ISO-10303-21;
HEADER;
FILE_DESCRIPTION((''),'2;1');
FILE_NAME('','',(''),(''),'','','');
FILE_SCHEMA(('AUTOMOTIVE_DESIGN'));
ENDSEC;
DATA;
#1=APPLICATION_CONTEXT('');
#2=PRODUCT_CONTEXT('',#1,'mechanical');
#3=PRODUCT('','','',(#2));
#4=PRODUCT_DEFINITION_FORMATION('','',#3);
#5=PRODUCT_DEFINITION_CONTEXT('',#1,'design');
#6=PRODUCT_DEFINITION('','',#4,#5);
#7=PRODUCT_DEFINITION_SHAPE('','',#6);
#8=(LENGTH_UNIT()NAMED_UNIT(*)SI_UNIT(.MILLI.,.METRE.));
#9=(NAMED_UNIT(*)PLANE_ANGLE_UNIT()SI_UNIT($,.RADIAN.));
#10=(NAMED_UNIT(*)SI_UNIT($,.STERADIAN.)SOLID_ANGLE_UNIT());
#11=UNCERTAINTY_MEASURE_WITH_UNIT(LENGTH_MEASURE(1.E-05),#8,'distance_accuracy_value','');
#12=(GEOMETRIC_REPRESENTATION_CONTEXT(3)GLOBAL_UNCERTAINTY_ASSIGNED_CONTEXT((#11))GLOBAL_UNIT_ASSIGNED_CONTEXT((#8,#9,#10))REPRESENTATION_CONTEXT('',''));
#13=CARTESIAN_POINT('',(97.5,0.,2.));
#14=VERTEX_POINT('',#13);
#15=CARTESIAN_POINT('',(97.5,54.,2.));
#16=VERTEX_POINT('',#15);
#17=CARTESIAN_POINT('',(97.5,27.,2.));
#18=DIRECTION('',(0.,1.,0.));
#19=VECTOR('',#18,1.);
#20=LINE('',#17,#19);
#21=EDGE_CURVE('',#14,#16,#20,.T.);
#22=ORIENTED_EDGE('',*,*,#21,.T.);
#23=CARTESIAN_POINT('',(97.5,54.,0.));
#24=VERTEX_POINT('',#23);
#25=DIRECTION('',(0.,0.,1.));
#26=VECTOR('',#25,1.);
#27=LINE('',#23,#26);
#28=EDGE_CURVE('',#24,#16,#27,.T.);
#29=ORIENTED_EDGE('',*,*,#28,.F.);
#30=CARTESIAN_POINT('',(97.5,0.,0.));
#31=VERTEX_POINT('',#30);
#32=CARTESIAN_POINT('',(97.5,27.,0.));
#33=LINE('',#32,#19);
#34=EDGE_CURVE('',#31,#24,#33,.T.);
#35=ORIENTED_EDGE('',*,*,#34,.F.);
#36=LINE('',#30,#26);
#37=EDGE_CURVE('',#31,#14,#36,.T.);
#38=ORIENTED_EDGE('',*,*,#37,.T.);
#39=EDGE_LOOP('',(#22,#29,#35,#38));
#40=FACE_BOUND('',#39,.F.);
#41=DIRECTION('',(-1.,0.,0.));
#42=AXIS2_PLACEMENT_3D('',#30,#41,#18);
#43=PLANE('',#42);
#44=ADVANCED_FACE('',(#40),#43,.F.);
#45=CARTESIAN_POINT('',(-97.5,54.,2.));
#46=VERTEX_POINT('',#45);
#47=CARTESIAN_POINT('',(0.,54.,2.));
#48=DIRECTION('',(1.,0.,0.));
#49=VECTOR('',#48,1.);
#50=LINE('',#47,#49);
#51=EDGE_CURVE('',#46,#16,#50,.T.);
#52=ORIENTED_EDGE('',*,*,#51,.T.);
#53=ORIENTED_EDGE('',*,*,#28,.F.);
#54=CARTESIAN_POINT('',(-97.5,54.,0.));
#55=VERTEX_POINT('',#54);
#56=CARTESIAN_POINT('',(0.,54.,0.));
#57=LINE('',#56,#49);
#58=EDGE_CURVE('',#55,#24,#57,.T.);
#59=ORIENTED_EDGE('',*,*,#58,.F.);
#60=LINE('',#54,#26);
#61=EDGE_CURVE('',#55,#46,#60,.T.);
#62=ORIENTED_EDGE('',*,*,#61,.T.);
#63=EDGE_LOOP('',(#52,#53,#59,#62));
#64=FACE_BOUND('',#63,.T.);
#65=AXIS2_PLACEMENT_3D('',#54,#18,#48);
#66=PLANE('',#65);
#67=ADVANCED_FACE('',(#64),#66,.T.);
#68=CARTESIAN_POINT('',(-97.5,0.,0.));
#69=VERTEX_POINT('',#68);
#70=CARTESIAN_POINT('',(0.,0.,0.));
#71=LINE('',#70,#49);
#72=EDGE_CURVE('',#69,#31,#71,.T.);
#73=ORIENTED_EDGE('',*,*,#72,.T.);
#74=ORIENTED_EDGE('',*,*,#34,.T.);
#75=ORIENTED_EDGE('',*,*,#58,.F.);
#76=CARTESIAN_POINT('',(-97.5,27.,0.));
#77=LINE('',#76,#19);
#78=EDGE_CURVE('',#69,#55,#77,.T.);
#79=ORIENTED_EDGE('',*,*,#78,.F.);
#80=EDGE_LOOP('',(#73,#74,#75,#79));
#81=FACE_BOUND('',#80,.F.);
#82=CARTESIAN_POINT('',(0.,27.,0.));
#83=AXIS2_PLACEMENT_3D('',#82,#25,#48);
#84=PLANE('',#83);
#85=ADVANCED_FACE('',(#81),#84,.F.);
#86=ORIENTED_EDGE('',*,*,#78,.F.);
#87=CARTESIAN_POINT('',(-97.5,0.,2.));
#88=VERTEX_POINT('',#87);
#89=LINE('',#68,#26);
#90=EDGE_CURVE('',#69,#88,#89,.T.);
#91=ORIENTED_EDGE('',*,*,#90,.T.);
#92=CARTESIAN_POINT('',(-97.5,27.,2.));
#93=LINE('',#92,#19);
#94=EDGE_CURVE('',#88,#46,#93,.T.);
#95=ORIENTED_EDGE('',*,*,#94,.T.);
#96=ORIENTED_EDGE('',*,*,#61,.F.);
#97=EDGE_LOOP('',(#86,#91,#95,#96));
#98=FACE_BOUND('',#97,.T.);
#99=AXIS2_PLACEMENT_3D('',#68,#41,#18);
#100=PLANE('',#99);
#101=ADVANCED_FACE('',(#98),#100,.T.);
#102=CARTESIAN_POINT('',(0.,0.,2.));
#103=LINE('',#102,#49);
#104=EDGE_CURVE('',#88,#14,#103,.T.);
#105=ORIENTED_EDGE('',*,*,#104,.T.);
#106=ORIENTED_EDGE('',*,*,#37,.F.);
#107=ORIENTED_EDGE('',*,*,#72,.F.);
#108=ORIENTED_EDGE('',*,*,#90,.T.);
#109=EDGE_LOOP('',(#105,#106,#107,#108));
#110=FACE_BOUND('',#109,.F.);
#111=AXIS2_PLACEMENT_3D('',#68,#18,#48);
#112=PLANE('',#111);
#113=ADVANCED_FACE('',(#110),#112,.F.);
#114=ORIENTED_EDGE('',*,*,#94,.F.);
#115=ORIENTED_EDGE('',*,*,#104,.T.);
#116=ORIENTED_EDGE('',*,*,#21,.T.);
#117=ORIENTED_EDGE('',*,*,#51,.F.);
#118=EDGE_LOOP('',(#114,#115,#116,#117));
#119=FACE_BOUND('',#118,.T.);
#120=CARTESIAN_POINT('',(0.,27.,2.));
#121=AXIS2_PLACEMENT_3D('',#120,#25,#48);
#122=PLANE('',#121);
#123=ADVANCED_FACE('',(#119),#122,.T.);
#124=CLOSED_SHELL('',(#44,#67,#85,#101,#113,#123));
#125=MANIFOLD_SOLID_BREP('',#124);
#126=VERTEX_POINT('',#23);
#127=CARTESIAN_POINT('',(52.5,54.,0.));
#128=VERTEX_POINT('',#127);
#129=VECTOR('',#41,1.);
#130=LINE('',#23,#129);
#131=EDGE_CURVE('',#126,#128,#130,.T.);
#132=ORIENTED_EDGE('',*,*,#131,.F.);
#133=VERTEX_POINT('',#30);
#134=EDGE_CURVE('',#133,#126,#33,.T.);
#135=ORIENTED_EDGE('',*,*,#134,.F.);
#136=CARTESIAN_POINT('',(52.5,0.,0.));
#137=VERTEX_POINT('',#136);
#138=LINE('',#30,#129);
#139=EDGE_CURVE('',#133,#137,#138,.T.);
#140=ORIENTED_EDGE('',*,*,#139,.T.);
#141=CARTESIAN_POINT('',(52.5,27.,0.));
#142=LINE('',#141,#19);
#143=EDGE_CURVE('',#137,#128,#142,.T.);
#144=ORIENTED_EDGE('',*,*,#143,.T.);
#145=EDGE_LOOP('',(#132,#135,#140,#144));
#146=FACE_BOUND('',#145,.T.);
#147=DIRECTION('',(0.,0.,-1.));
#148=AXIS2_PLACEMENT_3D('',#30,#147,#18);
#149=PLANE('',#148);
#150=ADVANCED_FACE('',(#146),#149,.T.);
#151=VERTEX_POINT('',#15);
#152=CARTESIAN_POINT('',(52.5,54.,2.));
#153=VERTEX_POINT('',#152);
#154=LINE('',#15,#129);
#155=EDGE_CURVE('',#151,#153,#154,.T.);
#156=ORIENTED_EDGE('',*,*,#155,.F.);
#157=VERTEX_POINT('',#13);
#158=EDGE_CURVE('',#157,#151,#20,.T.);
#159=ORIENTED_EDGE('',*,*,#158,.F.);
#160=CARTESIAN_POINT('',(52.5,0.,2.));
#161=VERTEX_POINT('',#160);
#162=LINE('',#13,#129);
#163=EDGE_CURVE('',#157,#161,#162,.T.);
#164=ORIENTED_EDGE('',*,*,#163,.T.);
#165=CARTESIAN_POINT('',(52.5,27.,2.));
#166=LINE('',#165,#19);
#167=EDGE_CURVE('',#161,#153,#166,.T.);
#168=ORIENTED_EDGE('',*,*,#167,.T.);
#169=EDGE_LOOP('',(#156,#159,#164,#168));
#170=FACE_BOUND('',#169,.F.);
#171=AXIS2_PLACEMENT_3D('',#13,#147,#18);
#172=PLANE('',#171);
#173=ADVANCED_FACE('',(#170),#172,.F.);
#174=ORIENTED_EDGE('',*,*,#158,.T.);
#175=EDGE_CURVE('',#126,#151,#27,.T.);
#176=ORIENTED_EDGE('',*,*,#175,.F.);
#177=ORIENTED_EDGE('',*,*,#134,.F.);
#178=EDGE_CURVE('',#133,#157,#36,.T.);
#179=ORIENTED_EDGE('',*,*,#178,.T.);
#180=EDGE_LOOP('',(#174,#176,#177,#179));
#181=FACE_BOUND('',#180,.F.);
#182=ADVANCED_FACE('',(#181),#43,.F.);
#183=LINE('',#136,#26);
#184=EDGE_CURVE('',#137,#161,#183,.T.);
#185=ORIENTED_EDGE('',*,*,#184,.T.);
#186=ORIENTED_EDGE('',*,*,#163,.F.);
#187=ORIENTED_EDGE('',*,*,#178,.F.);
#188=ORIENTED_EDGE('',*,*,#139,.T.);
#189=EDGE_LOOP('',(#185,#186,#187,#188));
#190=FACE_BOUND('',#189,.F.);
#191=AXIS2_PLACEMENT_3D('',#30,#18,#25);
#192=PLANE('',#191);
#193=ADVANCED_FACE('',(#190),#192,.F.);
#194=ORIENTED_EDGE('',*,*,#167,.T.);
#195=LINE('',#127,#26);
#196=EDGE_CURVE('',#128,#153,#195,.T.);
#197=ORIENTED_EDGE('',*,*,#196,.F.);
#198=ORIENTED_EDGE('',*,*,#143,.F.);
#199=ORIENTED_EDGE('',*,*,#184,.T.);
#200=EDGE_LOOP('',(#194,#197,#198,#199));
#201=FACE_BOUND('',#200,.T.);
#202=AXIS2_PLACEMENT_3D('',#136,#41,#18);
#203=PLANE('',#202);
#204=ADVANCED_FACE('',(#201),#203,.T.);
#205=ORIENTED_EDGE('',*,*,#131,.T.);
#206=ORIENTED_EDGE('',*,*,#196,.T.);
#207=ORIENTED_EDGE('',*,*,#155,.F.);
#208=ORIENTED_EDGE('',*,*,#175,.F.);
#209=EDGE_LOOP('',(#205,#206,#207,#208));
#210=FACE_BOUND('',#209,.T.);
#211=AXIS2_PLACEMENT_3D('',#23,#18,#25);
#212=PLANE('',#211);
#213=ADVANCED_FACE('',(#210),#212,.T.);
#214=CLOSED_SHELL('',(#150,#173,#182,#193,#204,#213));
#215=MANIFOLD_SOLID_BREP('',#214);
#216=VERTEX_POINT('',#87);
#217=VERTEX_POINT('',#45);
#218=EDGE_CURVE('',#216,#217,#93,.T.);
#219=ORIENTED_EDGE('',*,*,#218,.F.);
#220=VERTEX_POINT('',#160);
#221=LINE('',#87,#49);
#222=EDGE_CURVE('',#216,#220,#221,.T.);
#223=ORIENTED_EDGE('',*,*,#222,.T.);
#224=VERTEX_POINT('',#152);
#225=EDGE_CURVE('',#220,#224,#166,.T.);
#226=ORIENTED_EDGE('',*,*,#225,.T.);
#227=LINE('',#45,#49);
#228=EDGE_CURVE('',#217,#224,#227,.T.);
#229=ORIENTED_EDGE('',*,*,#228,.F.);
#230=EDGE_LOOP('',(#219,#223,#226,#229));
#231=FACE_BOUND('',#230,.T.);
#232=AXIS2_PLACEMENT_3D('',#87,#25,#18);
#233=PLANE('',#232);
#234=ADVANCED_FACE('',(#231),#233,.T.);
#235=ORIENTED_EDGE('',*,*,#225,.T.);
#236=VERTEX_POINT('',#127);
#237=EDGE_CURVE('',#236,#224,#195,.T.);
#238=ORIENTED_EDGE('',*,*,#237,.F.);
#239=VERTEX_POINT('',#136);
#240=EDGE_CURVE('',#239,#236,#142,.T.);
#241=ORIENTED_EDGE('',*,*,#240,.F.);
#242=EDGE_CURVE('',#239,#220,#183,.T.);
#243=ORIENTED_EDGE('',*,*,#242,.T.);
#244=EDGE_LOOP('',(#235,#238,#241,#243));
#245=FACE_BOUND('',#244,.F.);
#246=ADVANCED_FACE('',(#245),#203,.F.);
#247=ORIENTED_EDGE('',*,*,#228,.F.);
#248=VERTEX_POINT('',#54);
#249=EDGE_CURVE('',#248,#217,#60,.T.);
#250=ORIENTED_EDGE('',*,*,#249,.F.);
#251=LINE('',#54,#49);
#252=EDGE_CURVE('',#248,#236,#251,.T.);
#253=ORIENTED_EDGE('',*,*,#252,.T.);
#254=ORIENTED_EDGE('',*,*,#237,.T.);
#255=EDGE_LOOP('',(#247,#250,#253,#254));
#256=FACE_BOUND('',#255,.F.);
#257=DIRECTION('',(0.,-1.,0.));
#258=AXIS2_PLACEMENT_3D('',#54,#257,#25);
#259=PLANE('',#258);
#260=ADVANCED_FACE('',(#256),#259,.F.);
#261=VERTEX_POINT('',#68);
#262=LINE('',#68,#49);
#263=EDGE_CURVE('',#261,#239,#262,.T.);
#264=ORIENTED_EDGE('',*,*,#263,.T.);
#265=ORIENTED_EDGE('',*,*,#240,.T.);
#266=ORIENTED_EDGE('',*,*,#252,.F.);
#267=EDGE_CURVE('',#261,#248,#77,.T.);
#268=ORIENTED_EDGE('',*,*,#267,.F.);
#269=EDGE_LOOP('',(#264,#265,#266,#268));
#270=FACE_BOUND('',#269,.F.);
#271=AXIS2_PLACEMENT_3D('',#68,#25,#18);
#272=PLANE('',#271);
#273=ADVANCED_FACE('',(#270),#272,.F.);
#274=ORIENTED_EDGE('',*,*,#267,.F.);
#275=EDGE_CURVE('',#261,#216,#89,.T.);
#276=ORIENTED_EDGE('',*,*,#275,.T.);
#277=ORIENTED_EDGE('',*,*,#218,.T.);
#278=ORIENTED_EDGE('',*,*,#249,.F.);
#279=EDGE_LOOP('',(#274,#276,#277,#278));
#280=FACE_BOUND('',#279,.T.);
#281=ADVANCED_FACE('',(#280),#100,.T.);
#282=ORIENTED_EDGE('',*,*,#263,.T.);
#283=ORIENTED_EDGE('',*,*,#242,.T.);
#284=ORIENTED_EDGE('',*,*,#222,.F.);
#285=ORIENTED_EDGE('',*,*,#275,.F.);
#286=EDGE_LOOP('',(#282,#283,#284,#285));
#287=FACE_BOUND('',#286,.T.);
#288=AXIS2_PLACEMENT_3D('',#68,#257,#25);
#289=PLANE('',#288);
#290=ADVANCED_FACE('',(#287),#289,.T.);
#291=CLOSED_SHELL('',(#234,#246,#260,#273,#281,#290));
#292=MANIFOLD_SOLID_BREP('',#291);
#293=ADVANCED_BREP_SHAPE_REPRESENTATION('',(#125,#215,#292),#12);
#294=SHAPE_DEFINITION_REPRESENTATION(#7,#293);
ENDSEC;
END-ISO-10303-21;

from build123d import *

# Parameters (mm, degrees)
F0_W     = 195
F0_H     = 54
F1_DEPTH = 2
F2_DEPTH = 150
F3_DEPTH = 45


with BuildPart() as f1:
    # F0 (on Top) → F1 (new body)
    with BuildSketch(Plane.XY):
        with Locations((0, 27)):
            Rectangle(F0_W, F0_H)
    extrude(amount=F1_DEPTH)


with BuildPart() as f2:
    # F2 (new): a face of the model
    f2_faces = [f1.part.faces().sort_by_distance(p)[0] for p in [
        (-97.5, 27, 1),
    ]]
    extrude(f2_faces, amount=-F2_DEPTH)


with BuildPart() as f3:
    # F3 (new, through all): a face of the model
    f3_faces = [f1.part.faces().sort_by_distance(p)[0] for p in [
        (97.5, 27, 1),
    ]]
    extrude(f3_faces, amount=-F3_DEPTH)


solid = Compound([f1.part, f2.part, f3.part])
